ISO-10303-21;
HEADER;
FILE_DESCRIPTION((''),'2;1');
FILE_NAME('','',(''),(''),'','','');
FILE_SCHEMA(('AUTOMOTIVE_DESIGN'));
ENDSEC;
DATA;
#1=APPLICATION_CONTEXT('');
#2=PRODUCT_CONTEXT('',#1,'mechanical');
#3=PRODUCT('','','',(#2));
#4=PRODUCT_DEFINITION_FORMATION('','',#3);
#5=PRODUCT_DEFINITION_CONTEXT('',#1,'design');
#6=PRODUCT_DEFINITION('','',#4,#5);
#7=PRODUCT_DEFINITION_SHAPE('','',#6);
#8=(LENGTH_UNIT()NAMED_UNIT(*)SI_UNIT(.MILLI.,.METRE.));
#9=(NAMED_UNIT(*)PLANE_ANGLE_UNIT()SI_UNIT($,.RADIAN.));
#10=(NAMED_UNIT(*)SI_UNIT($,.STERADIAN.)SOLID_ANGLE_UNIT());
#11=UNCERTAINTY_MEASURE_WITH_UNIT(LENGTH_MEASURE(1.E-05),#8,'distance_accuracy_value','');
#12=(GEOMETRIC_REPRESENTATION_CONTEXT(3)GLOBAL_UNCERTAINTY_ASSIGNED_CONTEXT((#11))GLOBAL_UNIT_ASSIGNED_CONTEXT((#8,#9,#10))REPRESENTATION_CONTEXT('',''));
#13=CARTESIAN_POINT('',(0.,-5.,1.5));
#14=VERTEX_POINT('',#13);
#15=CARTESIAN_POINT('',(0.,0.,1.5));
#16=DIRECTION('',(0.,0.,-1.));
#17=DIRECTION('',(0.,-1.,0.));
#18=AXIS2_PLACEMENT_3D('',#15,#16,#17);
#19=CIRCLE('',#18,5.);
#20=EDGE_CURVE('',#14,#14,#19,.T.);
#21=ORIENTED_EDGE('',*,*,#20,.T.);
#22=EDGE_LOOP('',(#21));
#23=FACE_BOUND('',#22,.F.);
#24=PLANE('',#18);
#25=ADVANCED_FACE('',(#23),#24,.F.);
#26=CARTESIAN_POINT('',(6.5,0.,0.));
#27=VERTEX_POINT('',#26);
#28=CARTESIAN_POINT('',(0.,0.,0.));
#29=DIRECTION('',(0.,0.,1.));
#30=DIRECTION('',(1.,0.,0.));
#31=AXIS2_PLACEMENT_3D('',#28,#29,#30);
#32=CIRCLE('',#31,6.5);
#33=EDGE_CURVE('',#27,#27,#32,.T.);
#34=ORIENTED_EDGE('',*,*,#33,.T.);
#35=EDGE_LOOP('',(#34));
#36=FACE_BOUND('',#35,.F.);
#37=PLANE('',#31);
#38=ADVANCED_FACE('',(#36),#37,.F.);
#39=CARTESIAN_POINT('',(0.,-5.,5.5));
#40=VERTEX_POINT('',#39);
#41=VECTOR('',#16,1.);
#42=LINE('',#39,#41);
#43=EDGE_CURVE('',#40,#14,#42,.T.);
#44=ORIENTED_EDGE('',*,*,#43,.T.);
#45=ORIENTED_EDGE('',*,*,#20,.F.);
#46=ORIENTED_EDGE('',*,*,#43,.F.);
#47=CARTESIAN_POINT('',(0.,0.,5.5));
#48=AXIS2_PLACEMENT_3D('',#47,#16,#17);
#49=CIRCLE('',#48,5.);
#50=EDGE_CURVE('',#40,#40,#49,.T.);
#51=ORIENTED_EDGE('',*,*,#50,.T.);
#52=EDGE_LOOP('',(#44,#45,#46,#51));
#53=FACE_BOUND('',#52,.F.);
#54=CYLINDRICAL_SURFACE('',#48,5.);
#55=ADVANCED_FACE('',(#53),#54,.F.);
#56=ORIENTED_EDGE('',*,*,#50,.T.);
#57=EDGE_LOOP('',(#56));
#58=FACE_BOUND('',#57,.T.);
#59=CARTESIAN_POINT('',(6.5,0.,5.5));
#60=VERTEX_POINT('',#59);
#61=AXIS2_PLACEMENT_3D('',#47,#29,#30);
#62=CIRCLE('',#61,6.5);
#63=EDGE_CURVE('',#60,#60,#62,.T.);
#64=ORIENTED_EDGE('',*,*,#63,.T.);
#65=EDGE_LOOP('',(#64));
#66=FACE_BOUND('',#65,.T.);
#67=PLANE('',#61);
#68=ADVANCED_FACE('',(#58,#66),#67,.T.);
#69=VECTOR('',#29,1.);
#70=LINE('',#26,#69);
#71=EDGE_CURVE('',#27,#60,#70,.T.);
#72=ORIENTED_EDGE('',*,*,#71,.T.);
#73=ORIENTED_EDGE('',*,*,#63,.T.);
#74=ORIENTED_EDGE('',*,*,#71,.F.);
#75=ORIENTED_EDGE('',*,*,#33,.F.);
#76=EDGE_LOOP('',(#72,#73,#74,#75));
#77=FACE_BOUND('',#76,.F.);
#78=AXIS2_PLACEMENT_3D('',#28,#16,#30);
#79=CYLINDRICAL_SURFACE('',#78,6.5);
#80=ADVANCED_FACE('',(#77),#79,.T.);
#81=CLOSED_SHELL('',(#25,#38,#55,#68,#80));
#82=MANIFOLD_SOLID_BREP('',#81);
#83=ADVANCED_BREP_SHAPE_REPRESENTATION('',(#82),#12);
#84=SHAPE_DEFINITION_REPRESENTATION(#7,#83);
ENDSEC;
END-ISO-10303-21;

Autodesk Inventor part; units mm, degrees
ref_plane "YZ Plane" through (0, 0, 0) normal (1, 0, 0) x (0, 1, 0)
ref_plane "XZ Plane" through (0, 0, 0) normal (0, 1, 0) x (-1, 0, 0)
ref_plane "XY Plane" through (0, 0, 0) normal (0, 0, 1) x (1, 0, 0)
sketch "Sketch1" plane through (0, 0, 0) normal (0, 0, 1) x (1, 0, 0)
  circle A0 centre (0, 0) radius 6.5
  dimension "d0" = 13
extrude "Extrusion1" add sketch "Sketch1" along normal blind 5.5
sketch "Sketch2" plane through (0, 0, 5.5) normal (0, 0, 1) x (1, 0, 0)
  circle A0 centre (0, 0) radius 6.5 projected
hole "Hole1" at (0, 0, 5.5) direction (0, 0, -1) diameter 10 depth 4
thread "Thread1" size "M10x1.5" class "6H" standard "ANSI Metric M Profile" length 4
properties part number "TOP STOPPER" material "Steel, Alloy"
